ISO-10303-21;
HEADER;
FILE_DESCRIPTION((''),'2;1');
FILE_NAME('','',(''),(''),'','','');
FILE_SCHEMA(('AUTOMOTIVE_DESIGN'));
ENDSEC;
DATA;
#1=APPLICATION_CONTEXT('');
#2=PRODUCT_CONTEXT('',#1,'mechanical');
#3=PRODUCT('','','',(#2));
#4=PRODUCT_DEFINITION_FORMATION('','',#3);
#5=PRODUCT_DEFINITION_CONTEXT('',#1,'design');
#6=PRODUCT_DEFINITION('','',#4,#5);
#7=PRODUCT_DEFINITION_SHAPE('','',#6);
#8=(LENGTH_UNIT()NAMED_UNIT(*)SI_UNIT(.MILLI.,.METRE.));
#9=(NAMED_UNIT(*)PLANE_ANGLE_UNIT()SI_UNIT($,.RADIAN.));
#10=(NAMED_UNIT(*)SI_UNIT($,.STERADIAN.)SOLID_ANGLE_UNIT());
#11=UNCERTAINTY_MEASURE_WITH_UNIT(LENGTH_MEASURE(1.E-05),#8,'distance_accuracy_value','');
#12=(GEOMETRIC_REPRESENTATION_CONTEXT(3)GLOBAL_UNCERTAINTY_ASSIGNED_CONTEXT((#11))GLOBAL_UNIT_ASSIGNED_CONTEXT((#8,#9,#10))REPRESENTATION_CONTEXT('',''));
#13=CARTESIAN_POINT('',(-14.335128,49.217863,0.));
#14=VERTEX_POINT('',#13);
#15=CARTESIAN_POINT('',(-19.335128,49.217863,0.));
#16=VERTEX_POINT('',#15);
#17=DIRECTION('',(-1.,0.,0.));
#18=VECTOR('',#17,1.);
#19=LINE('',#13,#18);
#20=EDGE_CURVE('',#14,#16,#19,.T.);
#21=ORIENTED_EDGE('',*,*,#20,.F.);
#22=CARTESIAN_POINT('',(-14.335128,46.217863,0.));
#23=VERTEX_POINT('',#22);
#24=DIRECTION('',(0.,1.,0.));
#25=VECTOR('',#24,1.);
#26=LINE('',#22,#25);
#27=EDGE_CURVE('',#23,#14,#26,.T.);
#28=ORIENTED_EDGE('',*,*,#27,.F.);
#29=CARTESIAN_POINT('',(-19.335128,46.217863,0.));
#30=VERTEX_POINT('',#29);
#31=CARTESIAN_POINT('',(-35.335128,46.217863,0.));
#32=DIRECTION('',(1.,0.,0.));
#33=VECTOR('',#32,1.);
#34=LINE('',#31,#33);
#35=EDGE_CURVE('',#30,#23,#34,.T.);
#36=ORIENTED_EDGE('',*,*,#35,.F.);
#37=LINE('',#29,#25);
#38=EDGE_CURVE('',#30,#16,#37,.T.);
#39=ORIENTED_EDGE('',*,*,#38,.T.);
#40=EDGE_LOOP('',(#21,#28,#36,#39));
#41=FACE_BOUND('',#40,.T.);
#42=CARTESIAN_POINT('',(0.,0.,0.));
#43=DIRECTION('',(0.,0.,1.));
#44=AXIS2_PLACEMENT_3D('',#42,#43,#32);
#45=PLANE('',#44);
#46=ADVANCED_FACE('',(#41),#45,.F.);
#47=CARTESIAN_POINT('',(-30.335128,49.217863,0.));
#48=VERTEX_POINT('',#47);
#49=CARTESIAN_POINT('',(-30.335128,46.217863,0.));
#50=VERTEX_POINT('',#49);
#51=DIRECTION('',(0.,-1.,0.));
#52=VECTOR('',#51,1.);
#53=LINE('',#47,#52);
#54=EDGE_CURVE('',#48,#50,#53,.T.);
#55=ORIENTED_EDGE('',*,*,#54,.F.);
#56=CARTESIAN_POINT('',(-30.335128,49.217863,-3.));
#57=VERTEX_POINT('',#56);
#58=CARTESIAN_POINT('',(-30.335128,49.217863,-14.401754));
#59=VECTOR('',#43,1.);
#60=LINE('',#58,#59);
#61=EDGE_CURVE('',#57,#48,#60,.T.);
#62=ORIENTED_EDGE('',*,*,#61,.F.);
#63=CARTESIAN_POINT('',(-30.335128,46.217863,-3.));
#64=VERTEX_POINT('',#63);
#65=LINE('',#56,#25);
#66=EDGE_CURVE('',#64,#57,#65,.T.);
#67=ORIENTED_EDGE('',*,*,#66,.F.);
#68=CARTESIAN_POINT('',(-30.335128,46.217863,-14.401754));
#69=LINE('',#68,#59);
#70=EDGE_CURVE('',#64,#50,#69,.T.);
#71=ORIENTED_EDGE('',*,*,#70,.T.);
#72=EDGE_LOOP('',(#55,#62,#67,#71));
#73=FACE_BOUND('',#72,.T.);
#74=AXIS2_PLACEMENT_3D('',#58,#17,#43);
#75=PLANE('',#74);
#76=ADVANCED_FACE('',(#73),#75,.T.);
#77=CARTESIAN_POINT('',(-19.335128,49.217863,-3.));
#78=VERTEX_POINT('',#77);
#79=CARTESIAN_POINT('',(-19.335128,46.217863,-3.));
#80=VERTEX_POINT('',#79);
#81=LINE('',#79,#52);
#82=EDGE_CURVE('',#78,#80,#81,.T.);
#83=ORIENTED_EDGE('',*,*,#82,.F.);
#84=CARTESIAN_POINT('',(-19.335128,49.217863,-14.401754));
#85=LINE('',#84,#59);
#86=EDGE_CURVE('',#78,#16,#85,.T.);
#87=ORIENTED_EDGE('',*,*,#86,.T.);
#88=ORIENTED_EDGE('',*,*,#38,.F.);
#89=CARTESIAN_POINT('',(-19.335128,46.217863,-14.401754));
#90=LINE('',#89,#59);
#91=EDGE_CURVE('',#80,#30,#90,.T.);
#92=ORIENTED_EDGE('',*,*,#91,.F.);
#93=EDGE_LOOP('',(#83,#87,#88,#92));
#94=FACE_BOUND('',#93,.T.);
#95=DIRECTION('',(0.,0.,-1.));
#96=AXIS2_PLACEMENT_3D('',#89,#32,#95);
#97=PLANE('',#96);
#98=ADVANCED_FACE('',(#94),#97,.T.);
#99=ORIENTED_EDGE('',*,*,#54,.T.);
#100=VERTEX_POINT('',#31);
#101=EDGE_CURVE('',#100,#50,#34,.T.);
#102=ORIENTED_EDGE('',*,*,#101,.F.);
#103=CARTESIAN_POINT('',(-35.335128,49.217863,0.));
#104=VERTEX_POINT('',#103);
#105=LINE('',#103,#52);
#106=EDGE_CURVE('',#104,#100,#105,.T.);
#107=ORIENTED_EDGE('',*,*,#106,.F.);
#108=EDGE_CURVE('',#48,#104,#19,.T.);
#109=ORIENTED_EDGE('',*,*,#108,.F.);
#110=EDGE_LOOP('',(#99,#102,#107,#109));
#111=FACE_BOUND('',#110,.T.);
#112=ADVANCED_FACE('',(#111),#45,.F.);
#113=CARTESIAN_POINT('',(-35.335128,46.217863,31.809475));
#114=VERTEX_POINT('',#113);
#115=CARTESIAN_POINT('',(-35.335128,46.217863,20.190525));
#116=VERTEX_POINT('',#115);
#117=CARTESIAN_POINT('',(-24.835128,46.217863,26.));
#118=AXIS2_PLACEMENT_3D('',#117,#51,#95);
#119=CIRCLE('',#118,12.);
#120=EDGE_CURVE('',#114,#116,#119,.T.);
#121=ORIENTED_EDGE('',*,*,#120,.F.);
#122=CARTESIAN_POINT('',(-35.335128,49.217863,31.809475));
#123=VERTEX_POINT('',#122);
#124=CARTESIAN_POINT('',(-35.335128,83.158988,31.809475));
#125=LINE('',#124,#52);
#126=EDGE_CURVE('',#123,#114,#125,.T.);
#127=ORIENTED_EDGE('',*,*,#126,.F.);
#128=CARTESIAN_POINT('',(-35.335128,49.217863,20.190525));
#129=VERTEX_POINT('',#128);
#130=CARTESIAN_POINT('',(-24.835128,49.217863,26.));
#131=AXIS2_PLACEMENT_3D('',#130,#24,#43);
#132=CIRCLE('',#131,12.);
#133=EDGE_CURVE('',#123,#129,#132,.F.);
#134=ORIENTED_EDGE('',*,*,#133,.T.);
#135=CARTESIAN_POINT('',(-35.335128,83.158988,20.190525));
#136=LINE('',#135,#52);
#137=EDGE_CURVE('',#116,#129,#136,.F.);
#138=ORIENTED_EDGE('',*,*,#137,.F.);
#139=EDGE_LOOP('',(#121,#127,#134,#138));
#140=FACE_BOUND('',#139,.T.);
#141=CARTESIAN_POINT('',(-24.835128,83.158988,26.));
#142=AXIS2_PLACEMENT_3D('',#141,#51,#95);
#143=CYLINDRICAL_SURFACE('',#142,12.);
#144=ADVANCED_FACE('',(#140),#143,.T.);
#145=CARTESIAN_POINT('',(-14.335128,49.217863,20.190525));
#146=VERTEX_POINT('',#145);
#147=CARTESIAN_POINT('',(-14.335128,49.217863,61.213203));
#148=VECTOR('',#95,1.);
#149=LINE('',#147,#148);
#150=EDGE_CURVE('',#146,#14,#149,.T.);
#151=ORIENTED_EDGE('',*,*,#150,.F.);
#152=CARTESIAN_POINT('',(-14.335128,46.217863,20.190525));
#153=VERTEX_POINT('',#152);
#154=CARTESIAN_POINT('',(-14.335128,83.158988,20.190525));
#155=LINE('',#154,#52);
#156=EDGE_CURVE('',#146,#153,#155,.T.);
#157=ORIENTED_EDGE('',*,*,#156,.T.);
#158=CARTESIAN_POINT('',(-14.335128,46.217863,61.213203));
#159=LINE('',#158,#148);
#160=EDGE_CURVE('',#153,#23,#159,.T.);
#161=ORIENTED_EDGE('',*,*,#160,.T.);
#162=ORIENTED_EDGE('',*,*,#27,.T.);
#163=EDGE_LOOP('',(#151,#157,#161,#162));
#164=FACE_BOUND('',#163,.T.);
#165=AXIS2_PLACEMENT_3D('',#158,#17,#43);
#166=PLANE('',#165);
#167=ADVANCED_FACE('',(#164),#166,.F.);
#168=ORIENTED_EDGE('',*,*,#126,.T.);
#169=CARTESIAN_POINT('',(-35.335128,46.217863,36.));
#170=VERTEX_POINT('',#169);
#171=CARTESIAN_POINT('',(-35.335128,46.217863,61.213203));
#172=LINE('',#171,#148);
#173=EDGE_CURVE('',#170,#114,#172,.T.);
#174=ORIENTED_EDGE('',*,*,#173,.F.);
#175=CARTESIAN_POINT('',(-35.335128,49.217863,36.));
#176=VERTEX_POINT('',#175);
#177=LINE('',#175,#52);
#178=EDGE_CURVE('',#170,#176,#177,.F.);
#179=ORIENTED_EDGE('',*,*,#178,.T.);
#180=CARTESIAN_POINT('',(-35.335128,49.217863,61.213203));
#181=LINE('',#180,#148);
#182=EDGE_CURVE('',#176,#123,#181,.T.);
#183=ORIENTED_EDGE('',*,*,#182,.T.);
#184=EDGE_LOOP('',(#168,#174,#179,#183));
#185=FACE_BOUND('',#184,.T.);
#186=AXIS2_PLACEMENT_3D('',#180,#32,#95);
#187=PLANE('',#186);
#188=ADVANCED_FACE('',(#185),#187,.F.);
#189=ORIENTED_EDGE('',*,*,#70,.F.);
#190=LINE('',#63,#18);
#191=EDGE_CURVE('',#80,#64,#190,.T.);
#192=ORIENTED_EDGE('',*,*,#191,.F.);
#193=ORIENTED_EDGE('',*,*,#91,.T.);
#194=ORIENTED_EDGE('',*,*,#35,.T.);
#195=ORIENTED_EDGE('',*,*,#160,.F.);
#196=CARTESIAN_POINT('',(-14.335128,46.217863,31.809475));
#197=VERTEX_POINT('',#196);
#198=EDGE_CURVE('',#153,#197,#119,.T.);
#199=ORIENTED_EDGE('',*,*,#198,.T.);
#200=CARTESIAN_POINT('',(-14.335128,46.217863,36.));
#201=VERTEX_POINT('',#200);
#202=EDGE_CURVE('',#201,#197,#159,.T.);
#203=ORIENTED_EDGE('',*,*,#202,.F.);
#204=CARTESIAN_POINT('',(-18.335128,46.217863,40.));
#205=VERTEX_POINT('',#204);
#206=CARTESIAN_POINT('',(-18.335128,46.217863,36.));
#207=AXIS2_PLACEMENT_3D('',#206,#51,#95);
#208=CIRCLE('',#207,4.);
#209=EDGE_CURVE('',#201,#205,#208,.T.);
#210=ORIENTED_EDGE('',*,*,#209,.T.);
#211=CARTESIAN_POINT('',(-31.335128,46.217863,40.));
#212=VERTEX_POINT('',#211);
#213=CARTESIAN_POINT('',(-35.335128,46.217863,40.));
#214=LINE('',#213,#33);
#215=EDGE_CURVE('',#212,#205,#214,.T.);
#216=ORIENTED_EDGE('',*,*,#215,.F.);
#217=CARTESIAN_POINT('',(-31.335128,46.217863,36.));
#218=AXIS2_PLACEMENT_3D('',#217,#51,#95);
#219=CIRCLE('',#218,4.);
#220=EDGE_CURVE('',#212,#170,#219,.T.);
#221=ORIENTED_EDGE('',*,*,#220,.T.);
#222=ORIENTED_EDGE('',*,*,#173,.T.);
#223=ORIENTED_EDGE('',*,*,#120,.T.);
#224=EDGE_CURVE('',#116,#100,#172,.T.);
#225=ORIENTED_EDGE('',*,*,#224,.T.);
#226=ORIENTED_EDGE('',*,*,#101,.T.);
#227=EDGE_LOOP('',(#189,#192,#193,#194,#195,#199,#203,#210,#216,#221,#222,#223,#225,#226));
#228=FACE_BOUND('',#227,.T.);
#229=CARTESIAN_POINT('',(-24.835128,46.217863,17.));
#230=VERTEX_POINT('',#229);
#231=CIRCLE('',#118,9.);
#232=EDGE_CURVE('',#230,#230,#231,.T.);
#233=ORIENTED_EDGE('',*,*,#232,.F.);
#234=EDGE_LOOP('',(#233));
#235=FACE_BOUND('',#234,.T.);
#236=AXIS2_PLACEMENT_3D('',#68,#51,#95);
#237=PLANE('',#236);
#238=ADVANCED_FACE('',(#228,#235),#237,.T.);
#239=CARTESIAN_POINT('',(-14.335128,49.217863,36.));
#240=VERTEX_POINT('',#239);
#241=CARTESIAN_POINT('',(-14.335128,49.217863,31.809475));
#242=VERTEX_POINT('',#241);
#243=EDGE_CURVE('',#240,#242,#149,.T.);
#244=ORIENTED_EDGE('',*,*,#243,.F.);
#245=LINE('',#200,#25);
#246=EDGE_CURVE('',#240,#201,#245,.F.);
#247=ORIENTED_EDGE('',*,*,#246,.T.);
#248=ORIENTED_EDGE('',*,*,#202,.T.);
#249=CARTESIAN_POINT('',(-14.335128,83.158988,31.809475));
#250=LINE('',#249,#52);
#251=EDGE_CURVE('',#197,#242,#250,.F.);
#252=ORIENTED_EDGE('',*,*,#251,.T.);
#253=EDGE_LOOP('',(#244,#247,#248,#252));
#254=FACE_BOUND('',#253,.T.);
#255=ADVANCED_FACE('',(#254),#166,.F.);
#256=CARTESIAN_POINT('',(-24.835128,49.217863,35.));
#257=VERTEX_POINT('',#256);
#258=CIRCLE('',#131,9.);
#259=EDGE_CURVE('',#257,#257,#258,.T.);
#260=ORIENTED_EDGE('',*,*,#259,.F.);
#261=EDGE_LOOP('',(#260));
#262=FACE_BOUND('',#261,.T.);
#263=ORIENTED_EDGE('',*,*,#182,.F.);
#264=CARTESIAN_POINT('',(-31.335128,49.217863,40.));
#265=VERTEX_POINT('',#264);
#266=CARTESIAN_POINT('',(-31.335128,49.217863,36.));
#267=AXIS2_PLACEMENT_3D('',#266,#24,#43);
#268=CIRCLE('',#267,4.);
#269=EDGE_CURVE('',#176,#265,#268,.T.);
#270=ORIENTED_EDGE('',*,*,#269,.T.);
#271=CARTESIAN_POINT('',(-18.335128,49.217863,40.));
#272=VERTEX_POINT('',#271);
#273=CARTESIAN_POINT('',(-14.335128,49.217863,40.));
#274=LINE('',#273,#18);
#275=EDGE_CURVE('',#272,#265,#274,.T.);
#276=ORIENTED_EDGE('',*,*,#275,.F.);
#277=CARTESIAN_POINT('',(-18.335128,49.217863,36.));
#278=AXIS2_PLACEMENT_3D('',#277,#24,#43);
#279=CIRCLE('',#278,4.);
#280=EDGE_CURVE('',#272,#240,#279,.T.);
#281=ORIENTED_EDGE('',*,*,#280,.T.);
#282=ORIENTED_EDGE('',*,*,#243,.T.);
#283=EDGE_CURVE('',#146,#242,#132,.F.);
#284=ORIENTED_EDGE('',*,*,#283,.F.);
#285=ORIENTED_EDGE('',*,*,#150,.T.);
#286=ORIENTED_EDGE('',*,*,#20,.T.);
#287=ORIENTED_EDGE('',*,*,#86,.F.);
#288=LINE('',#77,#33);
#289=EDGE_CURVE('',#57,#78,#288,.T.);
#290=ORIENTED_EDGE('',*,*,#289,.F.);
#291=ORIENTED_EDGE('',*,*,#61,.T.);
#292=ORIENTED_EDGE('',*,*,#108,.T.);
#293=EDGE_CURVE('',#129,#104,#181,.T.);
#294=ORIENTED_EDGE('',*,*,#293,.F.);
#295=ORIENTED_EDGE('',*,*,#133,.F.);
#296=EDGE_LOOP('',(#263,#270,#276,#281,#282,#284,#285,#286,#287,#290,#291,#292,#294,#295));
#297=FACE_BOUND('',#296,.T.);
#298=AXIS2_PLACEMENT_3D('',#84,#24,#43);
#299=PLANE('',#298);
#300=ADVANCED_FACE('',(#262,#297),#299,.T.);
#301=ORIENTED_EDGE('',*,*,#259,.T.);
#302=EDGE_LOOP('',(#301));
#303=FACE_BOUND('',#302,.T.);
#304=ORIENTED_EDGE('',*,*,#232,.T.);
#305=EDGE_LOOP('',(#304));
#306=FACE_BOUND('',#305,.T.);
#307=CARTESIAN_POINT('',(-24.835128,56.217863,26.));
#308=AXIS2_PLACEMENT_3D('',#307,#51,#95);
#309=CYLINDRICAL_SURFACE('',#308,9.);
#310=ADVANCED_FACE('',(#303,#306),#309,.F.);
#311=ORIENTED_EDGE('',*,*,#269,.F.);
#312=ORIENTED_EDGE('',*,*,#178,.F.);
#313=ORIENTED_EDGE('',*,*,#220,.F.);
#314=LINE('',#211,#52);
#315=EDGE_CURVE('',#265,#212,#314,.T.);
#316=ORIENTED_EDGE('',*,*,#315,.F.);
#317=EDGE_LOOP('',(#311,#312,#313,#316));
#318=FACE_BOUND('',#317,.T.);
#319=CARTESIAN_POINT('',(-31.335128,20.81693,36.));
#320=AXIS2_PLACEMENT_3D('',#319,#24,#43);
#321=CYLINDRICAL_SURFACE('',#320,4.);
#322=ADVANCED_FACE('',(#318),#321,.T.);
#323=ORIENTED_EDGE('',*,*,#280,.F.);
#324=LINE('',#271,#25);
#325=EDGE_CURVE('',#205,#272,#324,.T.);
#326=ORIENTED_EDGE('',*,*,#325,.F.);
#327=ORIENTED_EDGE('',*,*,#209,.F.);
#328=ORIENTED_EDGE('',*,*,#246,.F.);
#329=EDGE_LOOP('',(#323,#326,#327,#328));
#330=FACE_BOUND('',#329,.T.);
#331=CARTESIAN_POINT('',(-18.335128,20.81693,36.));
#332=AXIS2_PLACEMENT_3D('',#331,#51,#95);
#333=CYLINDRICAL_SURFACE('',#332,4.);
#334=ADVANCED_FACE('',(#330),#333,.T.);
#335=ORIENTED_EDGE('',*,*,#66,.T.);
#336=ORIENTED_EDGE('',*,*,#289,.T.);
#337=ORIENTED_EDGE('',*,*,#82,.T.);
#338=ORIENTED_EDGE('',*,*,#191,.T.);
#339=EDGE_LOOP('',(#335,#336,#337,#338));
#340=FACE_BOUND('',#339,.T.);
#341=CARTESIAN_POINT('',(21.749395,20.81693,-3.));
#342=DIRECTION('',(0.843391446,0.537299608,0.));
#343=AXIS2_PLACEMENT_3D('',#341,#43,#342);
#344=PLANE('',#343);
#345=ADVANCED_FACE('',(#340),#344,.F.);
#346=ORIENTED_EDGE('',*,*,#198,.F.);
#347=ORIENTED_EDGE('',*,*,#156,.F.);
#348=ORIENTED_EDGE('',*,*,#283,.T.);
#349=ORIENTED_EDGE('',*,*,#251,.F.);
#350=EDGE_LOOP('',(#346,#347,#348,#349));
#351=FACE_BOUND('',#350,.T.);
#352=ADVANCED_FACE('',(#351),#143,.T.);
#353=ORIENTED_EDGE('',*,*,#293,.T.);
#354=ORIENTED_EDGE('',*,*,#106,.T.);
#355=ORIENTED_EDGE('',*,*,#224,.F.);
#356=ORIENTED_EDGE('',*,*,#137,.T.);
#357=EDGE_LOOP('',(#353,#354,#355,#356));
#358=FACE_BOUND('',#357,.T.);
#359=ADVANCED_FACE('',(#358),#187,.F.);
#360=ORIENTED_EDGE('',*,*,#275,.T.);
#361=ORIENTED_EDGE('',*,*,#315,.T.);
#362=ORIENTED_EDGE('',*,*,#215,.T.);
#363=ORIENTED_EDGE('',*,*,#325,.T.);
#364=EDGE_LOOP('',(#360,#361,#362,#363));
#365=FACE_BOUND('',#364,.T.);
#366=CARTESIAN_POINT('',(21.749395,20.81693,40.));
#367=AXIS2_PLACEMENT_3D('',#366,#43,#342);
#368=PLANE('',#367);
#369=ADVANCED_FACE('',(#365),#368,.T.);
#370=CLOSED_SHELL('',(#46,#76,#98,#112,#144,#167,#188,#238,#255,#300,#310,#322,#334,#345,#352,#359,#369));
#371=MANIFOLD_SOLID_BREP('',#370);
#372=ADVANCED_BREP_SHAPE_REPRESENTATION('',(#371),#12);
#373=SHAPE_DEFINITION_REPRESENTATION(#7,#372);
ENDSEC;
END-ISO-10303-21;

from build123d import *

# Parameters (mm, degrees)
CROQUIS1_W              = 11
CROQUIS1_H              = 3
SALIENTE_EXTRUIR1_DEPTH = 3
CROQUIS2_W              = 21
CROQUIS2_H              = 3
SALIENTE_EXTRUIR2_DEPTH = 40
CROQUIS3_R              = 9
CORTAR_EXTRUIR1_DEPTH   = 10
CROQUIS4_R              = 12
CROQUIS4_R_2            = 9
SALIENTE_EXTRUIR3_DEPTH = 3
REDONDEO1_R             = 4


with BuildPart() as part:
    # Croquis1 → Saliente-Extruir1 (new body)
    with BuildSketch(Plane.XY):
        with Locations((-24.835128068, 47.717862768)):
            Rectangle(CROQUIS1_W, CROQUIS1_H)
    extrude(amount=-SALIENTE_EXTRUIR1_DEPTH)

    # Croquis2 → Saliente-Extruir2 (add)
    with BuildSketch(Plane.XY):
        with Locations((-24.835128068, 47.717862768)):
            Rectangle(CROQUIS2_W, CROQUIS2_H)
    extrude(amount=SALIENTE_EXTRUIR2_DEPTH)

    # Croquis3 → Cortar-Extruir1 (cut)
    with BuildSketch(Plane.XZ.offset(-46.217862768)):
        with Locations((-24.835128068, 26)):
            Circle(CROQUIS3_R)
    extrude(amount=-CORTAR_EXTRUIR1_DEPTH, mode=Mode.SUBTRACT)

    # Croquis4 → Saliente-Extruir3 (add)
    with BuildSketch(Plane(origin=(0, 46.217862768, 0), x_dir=(-1, 0, 0), z_dir=(0, -1, 0))):
        with Locations((24.835128068, -26)):
            Circle(CROQUIS4_R)
        with Locations((24.835128068, -26)):
            Circle(CROQUIS4_R_2, mode=Mode.SUBTRACT)
    extrude(amount=-SALIENTE_EXTRUIR3_DEPTH)

    # Redondeo1
    redondeo1_edges = [part.edges().sort_by_distance(p)[0] for p in [
        (-35.335128068, 47.717862768, 40),
        (-14.335128068, 47.717862768, 40),
    ]]
    fillet(redondeo1_edges, radius=REDONDEO1_R)


solid = part.part
